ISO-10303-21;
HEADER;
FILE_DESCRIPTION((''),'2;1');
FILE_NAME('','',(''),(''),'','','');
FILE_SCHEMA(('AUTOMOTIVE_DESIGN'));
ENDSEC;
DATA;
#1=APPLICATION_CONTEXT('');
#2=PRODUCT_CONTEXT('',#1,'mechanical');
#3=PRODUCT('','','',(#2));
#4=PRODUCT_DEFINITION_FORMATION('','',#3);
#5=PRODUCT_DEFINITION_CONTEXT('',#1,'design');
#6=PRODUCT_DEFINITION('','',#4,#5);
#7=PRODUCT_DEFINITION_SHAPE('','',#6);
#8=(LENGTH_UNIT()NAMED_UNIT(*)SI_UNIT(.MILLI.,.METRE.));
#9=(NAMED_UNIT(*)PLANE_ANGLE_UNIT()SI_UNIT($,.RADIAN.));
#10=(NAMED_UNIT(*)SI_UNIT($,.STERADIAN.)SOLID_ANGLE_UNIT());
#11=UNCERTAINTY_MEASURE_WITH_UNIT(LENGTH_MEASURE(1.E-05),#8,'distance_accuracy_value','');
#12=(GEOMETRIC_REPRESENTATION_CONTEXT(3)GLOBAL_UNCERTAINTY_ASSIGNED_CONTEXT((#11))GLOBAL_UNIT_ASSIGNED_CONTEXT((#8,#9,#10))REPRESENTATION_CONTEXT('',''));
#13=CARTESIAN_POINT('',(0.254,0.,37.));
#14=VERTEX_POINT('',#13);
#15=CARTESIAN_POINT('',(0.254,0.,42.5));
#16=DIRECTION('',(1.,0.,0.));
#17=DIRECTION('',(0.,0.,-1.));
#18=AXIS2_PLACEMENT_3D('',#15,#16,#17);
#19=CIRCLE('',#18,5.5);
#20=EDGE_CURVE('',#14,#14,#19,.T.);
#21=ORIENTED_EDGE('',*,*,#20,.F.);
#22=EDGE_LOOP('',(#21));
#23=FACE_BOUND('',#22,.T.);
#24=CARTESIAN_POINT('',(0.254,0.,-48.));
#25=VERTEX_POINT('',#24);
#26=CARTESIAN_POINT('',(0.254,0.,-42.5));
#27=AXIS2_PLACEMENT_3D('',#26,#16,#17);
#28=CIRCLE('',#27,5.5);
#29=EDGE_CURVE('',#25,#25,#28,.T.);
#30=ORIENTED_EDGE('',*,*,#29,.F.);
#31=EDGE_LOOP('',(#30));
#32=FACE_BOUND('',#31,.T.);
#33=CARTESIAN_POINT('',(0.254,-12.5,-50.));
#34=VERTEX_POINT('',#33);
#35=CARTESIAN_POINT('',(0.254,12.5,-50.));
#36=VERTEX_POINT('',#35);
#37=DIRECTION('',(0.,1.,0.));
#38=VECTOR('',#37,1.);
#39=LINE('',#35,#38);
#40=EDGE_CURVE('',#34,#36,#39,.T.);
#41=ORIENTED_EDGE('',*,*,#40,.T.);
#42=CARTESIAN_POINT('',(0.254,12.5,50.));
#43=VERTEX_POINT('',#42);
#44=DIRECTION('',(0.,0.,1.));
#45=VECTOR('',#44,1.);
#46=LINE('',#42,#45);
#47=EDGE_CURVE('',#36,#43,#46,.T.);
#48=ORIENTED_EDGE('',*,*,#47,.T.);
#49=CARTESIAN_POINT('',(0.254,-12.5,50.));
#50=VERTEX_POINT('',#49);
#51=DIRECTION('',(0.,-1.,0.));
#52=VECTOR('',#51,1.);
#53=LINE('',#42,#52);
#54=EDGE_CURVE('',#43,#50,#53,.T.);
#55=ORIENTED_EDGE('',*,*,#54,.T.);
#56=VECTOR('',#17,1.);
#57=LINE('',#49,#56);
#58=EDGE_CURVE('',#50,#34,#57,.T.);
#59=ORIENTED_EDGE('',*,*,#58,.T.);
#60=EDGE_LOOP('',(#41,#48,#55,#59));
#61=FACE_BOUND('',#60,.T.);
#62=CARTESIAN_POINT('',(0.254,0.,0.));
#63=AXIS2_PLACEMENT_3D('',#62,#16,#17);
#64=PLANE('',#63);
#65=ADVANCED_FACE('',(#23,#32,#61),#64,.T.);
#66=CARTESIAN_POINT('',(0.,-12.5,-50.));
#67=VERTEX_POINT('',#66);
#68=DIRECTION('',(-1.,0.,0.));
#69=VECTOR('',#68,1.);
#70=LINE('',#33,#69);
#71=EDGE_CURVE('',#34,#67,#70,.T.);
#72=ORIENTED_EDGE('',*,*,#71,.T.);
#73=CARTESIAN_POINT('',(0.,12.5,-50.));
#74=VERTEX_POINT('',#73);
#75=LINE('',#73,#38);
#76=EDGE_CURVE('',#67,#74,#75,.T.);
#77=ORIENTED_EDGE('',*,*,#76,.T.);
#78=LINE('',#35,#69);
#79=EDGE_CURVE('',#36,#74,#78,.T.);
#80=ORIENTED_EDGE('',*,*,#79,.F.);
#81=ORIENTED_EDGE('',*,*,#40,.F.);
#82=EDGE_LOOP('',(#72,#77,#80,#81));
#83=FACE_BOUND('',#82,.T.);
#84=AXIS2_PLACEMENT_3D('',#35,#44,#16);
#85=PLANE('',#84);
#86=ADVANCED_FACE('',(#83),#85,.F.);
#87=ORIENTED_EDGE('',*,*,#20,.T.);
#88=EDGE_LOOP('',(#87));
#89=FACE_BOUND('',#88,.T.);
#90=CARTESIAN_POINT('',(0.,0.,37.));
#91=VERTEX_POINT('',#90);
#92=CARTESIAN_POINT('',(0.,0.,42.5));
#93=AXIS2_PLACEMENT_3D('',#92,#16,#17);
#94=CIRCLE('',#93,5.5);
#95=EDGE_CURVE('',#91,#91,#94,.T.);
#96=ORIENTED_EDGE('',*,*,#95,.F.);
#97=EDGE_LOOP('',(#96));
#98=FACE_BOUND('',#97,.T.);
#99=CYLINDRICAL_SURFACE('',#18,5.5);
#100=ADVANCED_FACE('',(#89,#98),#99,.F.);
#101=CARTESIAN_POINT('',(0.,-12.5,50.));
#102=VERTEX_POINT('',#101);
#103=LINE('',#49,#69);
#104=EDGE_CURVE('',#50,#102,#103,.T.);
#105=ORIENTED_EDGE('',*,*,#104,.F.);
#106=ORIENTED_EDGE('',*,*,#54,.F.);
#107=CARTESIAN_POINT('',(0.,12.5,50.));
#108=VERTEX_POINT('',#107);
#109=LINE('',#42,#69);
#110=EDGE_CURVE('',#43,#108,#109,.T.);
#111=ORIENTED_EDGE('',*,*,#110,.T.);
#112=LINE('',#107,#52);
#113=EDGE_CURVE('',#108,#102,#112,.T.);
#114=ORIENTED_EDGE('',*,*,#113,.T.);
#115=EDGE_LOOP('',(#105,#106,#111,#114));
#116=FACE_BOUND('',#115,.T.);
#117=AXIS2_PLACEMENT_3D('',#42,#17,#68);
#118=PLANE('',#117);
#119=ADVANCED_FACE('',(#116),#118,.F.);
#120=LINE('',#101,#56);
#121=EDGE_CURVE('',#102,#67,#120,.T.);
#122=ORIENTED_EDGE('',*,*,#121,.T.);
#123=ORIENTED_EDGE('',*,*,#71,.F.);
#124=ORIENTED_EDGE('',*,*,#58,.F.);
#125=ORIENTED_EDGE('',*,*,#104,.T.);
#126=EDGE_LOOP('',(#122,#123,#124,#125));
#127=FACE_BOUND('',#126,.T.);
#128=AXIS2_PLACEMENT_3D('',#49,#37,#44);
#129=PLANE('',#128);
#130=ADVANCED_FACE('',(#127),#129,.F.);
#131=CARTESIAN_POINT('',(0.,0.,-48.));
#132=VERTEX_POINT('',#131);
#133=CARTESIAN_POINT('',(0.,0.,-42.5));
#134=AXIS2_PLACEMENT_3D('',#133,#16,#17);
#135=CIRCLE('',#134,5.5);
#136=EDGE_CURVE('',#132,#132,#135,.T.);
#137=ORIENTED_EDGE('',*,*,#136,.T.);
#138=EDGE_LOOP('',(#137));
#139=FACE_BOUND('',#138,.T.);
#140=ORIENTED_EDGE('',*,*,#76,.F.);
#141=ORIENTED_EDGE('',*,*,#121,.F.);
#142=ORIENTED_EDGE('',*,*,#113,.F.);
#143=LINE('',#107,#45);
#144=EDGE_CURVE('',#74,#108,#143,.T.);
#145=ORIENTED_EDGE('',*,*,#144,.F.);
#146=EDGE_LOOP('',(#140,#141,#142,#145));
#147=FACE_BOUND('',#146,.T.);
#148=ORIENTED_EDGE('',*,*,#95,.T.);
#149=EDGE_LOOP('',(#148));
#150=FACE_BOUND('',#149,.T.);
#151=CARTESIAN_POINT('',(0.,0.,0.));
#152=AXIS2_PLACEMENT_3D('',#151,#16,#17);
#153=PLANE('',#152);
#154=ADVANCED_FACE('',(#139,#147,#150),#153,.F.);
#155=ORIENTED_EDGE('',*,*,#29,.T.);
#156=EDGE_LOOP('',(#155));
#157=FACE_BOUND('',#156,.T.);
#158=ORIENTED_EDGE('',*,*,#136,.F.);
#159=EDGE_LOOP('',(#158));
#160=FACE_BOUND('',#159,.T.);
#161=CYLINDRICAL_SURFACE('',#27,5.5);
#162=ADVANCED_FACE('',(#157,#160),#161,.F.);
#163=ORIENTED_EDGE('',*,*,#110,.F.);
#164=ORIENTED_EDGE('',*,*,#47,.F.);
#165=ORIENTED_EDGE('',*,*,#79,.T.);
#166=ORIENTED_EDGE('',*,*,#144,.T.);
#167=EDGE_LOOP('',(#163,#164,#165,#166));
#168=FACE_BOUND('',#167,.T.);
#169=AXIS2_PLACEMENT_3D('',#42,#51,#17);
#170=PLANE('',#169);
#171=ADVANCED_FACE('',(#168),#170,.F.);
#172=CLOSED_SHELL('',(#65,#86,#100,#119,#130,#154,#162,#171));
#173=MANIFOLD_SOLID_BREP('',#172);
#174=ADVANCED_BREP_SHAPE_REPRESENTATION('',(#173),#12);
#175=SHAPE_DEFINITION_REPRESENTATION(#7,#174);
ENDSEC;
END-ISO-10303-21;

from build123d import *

# Parameters (mm, degrees)
SKETCH1_W             = 100
SKETCH1_H             = 25
BOSS_EXTRUDE1_DEPTH   = 0.254
M10_CLEARANCE_HOLE1_D = 11


with BuildPart() as part:
    # Sketch1 → Boss-Extrude1 (new body)
    with BuildSketch(Plane(origin=(0, 0, 0), x_dir=(0, 0, -1), z_dir=(1, 0, 0))):
        Rectangle(SKETCH1_W, SKETCH1_H)
    extrude(amount=BOSS_EXTRUDE1_DEPTH)

    # M10 Clearance Hole1 (through all)
    with Locations(Plane(origin=(0.254, 0, 0), x_dir=(0, 0, -1), z_dir=(1, 0, 0))):
        with Locations((-42.5, 0), (42.5, 0)):
            Hole(M10_CLEARANCE_HOLE1_D / 2)


solid = part.part
